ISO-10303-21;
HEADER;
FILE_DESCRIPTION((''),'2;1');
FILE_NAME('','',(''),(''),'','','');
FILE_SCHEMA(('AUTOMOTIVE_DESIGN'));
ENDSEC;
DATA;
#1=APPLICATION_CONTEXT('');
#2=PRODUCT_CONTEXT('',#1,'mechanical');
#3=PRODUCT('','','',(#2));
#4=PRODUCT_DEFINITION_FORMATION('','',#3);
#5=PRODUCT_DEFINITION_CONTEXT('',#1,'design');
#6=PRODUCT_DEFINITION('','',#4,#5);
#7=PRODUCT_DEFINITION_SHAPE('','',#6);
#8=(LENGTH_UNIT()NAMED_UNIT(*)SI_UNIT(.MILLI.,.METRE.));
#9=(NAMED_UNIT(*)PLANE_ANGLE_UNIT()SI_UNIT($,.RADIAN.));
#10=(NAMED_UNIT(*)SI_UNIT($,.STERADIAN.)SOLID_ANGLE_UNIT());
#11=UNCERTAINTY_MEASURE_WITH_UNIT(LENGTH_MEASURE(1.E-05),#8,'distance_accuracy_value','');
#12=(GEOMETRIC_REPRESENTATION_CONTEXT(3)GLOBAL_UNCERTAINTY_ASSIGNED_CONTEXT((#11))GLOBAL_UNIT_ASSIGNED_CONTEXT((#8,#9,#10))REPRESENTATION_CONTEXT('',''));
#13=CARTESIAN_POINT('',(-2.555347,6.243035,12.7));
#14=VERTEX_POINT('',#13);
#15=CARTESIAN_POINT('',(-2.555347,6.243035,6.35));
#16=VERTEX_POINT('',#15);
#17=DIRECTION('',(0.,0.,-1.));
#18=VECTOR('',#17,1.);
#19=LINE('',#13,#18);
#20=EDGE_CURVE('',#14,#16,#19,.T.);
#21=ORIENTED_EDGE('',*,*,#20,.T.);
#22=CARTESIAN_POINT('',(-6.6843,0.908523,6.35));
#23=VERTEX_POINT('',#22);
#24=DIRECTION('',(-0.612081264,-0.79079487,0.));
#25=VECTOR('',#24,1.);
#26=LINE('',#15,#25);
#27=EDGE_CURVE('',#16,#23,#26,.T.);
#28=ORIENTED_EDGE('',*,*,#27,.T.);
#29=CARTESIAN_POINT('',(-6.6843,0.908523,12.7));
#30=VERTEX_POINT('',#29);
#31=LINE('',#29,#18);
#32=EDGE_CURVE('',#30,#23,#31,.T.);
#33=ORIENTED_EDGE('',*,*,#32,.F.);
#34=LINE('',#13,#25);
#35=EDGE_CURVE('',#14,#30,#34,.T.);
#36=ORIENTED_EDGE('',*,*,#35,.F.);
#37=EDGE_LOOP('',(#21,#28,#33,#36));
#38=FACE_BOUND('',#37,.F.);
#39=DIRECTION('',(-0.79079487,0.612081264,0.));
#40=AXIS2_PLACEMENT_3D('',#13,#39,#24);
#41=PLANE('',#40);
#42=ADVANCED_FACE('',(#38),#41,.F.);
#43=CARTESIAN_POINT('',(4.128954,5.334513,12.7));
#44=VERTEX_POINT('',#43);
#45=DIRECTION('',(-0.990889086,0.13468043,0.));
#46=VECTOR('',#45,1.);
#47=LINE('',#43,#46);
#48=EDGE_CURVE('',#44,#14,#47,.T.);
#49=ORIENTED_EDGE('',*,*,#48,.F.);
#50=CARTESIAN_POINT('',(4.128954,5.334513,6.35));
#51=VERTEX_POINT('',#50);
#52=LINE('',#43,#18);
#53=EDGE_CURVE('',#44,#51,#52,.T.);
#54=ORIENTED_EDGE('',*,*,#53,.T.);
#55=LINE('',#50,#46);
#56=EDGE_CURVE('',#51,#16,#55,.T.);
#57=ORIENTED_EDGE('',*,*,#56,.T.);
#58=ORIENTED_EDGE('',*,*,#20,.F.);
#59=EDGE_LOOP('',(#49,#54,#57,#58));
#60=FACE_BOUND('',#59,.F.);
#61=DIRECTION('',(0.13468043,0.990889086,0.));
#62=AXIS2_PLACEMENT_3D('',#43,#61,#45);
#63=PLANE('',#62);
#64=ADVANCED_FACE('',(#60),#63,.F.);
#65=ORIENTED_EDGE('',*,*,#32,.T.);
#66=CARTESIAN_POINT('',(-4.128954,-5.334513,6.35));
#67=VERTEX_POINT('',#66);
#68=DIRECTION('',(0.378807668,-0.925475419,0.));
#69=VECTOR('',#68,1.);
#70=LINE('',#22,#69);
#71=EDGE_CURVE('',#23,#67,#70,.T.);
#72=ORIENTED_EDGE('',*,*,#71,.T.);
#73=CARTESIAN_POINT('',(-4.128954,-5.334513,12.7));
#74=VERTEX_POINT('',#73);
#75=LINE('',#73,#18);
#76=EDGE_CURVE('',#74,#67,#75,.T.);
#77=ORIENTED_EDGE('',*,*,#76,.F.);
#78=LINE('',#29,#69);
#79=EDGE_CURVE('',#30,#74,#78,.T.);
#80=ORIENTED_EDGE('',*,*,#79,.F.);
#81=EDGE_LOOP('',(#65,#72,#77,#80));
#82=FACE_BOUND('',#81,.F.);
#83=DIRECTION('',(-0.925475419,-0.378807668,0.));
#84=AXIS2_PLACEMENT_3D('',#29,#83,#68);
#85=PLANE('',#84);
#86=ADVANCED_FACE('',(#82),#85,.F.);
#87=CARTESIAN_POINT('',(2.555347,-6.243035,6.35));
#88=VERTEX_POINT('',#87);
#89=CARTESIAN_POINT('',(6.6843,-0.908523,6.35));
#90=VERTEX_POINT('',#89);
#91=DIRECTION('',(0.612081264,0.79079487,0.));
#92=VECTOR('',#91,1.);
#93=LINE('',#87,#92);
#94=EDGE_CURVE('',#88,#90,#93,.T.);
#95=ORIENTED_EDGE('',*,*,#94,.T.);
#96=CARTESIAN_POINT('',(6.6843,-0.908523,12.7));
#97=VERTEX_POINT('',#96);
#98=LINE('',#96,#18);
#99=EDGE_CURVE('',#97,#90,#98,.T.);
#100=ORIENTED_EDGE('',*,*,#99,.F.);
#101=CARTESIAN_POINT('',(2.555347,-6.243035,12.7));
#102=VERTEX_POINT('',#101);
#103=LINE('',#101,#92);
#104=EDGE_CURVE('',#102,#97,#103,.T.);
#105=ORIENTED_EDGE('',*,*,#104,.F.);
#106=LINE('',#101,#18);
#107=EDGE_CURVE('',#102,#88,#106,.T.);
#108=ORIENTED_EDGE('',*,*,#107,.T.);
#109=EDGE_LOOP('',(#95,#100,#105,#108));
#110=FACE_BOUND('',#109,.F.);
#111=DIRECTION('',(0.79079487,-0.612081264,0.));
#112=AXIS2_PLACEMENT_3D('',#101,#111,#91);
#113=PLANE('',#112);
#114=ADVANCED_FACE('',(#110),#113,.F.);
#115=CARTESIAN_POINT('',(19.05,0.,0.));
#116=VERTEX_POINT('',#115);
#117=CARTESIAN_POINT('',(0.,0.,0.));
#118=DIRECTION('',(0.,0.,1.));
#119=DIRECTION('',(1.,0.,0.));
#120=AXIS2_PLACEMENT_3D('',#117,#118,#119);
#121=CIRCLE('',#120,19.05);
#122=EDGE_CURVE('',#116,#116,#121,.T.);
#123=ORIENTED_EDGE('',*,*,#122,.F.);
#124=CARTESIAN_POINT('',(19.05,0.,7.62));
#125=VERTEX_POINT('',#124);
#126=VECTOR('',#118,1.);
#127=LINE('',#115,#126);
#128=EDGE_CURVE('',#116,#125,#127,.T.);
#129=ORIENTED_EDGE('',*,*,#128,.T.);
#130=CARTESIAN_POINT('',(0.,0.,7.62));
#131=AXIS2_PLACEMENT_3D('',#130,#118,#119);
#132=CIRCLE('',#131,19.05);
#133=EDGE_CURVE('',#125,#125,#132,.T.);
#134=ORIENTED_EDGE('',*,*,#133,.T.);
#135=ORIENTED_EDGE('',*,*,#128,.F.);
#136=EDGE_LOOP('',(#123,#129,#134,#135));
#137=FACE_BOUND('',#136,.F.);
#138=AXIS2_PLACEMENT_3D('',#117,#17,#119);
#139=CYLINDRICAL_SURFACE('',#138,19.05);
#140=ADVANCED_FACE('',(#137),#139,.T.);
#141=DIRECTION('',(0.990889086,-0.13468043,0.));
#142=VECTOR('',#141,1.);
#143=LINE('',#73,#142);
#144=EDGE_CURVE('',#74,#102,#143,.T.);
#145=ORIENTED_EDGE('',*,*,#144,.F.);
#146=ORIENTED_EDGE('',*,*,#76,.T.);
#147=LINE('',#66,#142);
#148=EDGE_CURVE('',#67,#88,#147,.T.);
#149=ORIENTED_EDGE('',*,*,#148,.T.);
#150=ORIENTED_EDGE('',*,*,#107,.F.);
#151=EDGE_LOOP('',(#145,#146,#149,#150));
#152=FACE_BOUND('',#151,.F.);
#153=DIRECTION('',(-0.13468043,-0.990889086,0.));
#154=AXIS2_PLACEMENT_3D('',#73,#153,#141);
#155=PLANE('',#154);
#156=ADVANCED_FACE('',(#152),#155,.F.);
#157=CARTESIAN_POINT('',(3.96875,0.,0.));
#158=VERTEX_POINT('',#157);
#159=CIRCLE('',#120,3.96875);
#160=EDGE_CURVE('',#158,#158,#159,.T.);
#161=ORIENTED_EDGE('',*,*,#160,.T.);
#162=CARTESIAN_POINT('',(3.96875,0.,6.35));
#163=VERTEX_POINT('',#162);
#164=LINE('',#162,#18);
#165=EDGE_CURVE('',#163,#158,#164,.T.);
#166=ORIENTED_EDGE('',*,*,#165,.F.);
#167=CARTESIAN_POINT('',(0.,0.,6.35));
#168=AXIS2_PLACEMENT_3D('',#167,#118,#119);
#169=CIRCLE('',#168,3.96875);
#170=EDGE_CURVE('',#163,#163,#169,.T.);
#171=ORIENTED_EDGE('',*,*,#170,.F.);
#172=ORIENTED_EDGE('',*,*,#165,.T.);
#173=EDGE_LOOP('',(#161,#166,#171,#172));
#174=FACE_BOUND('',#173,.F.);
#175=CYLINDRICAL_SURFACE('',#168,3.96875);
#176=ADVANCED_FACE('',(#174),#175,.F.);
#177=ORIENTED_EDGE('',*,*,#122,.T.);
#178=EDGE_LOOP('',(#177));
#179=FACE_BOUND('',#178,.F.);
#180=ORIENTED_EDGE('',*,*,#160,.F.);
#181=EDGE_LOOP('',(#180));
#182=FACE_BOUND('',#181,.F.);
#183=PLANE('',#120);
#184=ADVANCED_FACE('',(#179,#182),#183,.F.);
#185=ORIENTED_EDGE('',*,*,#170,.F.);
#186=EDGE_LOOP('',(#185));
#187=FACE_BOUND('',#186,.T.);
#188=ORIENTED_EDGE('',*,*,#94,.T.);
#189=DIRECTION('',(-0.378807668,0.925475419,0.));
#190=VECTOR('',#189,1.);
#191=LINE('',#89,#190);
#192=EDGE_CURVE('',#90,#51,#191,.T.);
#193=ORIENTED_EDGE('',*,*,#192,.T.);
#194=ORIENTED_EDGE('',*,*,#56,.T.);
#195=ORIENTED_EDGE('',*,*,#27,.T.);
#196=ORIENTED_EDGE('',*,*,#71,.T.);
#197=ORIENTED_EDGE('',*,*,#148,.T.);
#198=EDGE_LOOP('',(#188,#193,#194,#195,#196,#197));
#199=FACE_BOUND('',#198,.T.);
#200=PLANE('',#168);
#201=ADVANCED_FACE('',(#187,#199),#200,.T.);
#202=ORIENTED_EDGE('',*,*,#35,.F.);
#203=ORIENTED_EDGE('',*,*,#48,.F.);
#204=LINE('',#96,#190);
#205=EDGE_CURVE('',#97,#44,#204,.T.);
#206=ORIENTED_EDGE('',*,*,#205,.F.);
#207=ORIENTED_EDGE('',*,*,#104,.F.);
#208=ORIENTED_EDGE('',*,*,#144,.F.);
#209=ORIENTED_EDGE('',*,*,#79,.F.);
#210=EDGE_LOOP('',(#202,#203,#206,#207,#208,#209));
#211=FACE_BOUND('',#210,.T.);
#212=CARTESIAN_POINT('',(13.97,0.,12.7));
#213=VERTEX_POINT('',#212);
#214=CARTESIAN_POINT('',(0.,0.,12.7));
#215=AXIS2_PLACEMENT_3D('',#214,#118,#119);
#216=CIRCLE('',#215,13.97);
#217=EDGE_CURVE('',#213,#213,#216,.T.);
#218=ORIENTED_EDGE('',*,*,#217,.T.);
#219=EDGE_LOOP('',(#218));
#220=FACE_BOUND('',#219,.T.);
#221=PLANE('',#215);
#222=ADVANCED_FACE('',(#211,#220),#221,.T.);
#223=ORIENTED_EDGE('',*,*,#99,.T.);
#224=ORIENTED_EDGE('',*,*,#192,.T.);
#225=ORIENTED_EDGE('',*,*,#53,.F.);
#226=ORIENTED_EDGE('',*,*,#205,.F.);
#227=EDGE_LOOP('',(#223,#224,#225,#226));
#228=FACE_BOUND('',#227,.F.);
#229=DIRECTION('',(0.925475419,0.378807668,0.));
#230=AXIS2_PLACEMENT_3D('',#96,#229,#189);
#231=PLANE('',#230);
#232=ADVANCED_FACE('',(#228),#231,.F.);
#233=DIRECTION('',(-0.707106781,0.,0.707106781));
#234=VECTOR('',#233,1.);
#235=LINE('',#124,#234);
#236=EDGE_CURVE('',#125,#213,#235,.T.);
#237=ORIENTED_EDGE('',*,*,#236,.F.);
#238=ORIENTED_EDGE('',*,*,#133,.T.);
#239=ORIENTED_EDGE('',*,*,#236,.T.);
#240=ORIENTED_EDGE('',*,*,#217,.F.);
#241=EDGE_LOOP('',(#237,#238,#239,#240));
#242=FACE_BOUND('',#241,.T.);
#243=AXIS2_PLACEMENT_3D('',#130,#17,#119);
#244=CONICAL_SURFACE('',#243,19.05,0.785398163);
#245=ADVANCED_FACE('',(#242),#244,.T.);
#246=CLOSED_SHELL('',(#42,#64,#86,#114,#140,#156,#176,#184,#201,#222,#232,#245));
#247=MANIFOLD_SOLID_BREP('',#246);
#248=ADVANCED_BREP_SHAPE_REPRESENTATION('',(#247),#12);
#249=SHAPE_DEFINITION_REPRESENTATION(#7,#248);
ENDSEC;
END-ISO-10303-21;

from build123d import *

# Parameters (mm, degrees)
F0_R     = 19.05
F1_DEPTH = 12.7
F3_DEPTH = 6.35
F4_R     = 3.96875
F5_DEPTH = 6.351
F6_SIZE  = 5.08


with BuildPart() as f1:
    # F0 (on Top) → F1 (new body)
    with BuildSketch(Plane.XY):
        Circle(F0_R)
    extrude(amount=F1_DEPTH)

    # F2 (on face) → F3 (cut)
    with BuildSketch(Plane.XY.offset(12.7)):
        Polygon((6.6843, -0.908523), (4.128954, 5.334513), (-2.555347, 6.243035), (-6.6843, 0.908523), (-4.128954, -5.334513), (2.555347, -6.243035), align=None)
    extrude(amount=-F3_DEPTH, mode=Mode.SUBTRACT)

    # F4 (on face) → F5 (cut, through all)
    with BuildSketch(Plane.XY.offset(6.35)):
        Circle(F4_R)
    extrude(amount=-F5_DEPTH, mode=Mode.SUBTRACT)

    # F6
    f6_edges = [f1.edges().sort_by_distance(p)[0] for p in [
        (-19.05, 0, 12.7),
    ]]
    chamfer(f6_edges, length=F6_SIZE)


solid = f1.part
